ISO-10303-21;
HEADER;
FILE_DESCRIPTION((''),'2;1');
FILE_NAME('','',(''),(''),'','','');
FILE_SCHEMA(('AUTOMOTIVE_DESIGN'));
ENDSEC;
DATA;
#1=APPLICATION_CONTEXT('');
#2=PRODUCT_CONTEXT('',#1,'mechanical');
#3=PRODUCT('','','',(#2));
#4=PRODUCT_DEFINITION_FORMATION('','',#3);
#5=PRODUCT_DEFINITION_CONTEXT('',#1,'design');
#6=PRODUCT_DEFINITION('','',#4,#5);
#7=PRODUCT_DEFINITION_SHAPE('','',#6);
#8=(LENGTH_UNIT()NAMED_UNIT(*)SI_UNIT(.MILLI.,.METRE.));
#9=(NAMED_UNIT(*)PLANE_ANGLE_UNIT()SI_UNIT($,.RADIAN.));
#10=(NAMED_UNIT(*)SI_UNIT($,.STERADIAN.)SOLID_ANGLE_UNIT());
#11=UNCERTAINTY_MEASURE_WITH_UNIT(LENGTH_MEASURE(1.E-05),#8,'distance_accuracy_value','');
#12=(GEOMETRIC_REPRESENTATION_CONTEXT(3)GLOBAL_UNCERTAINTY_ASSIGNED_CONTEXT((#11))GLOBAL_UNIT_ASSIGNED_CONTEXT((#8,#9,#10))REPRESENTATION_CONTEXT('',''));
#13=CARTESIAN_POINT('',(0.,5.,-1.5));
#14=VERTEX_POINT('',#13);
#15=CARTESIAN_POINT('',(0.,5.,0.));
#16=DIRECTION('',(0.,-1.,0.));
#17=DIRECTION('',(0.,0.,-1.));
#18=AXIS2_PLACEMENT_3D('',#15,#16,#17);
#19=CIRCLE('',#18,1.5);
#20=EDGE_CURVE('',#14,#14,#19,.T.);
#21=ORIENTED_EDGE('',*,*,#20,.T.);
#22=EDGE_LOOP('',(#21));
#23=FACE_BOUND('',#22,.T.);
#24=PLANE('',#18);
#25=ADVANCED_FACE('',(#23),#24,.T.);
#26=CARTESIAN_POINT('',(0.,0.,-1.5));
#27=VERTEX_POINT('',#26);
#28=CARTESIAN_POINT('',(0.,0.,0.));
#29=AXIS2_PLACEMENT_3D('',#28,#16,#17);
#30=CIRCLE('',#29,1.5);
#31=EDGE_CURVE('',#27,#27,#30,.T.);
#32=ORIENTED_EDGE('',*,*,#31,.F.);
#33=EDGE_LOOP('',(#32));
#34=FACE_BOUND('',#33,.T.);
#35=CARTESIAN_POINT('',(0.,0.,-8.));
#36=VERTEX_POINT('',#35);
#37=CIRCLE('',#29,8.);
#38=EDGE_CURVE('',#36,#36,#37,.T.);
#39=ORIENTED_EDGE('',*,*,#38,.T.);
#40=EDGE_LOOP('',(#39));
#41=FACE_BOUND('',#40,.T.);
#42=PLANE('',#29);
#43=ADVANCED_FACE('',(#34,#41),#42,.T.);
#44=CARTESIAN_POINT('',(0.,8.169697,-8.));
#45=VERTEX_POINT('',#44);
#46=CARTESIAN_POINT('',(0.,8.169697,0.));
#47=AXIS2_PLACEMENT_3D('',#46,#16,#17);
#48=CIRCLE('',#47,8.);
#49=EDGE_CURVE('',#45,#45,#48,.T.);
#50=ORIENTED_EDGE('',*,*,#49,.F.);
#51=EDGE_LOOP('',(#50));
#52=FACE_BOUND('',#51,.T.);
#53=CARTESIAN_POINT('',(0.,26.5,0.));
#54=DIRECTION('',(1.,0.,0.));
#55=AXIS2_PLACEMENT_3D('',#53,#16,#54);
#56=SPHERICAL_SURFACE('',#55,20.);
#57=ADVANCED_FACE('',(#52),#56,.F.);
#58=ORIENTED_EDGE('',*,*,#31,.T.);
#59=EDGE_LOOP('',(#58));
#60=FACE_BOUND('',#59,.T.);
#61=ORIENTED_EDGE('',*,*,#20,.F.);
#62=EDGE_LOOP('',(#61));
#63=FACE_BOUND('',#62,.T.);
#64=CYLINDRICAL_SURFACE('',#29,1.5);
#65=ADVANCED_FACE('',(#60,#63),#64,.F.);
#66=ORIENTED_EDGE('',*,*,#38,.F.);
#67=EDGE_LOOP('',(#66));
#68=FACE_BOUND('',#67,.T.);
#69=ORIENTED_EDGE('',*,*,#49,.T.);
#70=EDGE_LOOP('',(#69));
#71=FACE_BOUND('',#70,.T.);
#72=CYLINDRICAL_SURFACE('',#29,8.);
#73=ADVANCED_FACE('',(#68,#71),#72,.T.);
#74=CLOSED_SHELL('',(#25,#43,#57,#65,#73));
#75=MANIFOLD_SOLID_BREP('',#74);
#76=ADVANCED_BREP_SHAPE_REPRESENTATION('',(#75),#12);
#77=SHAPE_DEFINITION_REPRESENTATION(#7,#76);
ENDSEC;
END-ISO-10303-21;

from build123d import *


with BuildPart() as part:
    # Sketch1 → Revolve1 (revolve)
    with BuildSketch(Plane.XY):
        with BuildLine():
            Line((1.5, 0), (8, 0))
            Line((8, 0), (8, 8.16969722))
            ThreePointArc((8, 8.16969722), (4.086192874, 6.921873741), (0, 6.5))
            Line((0, 6.5), (0, 5))
            Line((0, 5), (1.5, 5))
            Line((1.5, 5), (1.5, 0))
        make_face()
    revolve(axis=Axis((0, 0, 0), (0, 1, 0)))


solid = part.part
